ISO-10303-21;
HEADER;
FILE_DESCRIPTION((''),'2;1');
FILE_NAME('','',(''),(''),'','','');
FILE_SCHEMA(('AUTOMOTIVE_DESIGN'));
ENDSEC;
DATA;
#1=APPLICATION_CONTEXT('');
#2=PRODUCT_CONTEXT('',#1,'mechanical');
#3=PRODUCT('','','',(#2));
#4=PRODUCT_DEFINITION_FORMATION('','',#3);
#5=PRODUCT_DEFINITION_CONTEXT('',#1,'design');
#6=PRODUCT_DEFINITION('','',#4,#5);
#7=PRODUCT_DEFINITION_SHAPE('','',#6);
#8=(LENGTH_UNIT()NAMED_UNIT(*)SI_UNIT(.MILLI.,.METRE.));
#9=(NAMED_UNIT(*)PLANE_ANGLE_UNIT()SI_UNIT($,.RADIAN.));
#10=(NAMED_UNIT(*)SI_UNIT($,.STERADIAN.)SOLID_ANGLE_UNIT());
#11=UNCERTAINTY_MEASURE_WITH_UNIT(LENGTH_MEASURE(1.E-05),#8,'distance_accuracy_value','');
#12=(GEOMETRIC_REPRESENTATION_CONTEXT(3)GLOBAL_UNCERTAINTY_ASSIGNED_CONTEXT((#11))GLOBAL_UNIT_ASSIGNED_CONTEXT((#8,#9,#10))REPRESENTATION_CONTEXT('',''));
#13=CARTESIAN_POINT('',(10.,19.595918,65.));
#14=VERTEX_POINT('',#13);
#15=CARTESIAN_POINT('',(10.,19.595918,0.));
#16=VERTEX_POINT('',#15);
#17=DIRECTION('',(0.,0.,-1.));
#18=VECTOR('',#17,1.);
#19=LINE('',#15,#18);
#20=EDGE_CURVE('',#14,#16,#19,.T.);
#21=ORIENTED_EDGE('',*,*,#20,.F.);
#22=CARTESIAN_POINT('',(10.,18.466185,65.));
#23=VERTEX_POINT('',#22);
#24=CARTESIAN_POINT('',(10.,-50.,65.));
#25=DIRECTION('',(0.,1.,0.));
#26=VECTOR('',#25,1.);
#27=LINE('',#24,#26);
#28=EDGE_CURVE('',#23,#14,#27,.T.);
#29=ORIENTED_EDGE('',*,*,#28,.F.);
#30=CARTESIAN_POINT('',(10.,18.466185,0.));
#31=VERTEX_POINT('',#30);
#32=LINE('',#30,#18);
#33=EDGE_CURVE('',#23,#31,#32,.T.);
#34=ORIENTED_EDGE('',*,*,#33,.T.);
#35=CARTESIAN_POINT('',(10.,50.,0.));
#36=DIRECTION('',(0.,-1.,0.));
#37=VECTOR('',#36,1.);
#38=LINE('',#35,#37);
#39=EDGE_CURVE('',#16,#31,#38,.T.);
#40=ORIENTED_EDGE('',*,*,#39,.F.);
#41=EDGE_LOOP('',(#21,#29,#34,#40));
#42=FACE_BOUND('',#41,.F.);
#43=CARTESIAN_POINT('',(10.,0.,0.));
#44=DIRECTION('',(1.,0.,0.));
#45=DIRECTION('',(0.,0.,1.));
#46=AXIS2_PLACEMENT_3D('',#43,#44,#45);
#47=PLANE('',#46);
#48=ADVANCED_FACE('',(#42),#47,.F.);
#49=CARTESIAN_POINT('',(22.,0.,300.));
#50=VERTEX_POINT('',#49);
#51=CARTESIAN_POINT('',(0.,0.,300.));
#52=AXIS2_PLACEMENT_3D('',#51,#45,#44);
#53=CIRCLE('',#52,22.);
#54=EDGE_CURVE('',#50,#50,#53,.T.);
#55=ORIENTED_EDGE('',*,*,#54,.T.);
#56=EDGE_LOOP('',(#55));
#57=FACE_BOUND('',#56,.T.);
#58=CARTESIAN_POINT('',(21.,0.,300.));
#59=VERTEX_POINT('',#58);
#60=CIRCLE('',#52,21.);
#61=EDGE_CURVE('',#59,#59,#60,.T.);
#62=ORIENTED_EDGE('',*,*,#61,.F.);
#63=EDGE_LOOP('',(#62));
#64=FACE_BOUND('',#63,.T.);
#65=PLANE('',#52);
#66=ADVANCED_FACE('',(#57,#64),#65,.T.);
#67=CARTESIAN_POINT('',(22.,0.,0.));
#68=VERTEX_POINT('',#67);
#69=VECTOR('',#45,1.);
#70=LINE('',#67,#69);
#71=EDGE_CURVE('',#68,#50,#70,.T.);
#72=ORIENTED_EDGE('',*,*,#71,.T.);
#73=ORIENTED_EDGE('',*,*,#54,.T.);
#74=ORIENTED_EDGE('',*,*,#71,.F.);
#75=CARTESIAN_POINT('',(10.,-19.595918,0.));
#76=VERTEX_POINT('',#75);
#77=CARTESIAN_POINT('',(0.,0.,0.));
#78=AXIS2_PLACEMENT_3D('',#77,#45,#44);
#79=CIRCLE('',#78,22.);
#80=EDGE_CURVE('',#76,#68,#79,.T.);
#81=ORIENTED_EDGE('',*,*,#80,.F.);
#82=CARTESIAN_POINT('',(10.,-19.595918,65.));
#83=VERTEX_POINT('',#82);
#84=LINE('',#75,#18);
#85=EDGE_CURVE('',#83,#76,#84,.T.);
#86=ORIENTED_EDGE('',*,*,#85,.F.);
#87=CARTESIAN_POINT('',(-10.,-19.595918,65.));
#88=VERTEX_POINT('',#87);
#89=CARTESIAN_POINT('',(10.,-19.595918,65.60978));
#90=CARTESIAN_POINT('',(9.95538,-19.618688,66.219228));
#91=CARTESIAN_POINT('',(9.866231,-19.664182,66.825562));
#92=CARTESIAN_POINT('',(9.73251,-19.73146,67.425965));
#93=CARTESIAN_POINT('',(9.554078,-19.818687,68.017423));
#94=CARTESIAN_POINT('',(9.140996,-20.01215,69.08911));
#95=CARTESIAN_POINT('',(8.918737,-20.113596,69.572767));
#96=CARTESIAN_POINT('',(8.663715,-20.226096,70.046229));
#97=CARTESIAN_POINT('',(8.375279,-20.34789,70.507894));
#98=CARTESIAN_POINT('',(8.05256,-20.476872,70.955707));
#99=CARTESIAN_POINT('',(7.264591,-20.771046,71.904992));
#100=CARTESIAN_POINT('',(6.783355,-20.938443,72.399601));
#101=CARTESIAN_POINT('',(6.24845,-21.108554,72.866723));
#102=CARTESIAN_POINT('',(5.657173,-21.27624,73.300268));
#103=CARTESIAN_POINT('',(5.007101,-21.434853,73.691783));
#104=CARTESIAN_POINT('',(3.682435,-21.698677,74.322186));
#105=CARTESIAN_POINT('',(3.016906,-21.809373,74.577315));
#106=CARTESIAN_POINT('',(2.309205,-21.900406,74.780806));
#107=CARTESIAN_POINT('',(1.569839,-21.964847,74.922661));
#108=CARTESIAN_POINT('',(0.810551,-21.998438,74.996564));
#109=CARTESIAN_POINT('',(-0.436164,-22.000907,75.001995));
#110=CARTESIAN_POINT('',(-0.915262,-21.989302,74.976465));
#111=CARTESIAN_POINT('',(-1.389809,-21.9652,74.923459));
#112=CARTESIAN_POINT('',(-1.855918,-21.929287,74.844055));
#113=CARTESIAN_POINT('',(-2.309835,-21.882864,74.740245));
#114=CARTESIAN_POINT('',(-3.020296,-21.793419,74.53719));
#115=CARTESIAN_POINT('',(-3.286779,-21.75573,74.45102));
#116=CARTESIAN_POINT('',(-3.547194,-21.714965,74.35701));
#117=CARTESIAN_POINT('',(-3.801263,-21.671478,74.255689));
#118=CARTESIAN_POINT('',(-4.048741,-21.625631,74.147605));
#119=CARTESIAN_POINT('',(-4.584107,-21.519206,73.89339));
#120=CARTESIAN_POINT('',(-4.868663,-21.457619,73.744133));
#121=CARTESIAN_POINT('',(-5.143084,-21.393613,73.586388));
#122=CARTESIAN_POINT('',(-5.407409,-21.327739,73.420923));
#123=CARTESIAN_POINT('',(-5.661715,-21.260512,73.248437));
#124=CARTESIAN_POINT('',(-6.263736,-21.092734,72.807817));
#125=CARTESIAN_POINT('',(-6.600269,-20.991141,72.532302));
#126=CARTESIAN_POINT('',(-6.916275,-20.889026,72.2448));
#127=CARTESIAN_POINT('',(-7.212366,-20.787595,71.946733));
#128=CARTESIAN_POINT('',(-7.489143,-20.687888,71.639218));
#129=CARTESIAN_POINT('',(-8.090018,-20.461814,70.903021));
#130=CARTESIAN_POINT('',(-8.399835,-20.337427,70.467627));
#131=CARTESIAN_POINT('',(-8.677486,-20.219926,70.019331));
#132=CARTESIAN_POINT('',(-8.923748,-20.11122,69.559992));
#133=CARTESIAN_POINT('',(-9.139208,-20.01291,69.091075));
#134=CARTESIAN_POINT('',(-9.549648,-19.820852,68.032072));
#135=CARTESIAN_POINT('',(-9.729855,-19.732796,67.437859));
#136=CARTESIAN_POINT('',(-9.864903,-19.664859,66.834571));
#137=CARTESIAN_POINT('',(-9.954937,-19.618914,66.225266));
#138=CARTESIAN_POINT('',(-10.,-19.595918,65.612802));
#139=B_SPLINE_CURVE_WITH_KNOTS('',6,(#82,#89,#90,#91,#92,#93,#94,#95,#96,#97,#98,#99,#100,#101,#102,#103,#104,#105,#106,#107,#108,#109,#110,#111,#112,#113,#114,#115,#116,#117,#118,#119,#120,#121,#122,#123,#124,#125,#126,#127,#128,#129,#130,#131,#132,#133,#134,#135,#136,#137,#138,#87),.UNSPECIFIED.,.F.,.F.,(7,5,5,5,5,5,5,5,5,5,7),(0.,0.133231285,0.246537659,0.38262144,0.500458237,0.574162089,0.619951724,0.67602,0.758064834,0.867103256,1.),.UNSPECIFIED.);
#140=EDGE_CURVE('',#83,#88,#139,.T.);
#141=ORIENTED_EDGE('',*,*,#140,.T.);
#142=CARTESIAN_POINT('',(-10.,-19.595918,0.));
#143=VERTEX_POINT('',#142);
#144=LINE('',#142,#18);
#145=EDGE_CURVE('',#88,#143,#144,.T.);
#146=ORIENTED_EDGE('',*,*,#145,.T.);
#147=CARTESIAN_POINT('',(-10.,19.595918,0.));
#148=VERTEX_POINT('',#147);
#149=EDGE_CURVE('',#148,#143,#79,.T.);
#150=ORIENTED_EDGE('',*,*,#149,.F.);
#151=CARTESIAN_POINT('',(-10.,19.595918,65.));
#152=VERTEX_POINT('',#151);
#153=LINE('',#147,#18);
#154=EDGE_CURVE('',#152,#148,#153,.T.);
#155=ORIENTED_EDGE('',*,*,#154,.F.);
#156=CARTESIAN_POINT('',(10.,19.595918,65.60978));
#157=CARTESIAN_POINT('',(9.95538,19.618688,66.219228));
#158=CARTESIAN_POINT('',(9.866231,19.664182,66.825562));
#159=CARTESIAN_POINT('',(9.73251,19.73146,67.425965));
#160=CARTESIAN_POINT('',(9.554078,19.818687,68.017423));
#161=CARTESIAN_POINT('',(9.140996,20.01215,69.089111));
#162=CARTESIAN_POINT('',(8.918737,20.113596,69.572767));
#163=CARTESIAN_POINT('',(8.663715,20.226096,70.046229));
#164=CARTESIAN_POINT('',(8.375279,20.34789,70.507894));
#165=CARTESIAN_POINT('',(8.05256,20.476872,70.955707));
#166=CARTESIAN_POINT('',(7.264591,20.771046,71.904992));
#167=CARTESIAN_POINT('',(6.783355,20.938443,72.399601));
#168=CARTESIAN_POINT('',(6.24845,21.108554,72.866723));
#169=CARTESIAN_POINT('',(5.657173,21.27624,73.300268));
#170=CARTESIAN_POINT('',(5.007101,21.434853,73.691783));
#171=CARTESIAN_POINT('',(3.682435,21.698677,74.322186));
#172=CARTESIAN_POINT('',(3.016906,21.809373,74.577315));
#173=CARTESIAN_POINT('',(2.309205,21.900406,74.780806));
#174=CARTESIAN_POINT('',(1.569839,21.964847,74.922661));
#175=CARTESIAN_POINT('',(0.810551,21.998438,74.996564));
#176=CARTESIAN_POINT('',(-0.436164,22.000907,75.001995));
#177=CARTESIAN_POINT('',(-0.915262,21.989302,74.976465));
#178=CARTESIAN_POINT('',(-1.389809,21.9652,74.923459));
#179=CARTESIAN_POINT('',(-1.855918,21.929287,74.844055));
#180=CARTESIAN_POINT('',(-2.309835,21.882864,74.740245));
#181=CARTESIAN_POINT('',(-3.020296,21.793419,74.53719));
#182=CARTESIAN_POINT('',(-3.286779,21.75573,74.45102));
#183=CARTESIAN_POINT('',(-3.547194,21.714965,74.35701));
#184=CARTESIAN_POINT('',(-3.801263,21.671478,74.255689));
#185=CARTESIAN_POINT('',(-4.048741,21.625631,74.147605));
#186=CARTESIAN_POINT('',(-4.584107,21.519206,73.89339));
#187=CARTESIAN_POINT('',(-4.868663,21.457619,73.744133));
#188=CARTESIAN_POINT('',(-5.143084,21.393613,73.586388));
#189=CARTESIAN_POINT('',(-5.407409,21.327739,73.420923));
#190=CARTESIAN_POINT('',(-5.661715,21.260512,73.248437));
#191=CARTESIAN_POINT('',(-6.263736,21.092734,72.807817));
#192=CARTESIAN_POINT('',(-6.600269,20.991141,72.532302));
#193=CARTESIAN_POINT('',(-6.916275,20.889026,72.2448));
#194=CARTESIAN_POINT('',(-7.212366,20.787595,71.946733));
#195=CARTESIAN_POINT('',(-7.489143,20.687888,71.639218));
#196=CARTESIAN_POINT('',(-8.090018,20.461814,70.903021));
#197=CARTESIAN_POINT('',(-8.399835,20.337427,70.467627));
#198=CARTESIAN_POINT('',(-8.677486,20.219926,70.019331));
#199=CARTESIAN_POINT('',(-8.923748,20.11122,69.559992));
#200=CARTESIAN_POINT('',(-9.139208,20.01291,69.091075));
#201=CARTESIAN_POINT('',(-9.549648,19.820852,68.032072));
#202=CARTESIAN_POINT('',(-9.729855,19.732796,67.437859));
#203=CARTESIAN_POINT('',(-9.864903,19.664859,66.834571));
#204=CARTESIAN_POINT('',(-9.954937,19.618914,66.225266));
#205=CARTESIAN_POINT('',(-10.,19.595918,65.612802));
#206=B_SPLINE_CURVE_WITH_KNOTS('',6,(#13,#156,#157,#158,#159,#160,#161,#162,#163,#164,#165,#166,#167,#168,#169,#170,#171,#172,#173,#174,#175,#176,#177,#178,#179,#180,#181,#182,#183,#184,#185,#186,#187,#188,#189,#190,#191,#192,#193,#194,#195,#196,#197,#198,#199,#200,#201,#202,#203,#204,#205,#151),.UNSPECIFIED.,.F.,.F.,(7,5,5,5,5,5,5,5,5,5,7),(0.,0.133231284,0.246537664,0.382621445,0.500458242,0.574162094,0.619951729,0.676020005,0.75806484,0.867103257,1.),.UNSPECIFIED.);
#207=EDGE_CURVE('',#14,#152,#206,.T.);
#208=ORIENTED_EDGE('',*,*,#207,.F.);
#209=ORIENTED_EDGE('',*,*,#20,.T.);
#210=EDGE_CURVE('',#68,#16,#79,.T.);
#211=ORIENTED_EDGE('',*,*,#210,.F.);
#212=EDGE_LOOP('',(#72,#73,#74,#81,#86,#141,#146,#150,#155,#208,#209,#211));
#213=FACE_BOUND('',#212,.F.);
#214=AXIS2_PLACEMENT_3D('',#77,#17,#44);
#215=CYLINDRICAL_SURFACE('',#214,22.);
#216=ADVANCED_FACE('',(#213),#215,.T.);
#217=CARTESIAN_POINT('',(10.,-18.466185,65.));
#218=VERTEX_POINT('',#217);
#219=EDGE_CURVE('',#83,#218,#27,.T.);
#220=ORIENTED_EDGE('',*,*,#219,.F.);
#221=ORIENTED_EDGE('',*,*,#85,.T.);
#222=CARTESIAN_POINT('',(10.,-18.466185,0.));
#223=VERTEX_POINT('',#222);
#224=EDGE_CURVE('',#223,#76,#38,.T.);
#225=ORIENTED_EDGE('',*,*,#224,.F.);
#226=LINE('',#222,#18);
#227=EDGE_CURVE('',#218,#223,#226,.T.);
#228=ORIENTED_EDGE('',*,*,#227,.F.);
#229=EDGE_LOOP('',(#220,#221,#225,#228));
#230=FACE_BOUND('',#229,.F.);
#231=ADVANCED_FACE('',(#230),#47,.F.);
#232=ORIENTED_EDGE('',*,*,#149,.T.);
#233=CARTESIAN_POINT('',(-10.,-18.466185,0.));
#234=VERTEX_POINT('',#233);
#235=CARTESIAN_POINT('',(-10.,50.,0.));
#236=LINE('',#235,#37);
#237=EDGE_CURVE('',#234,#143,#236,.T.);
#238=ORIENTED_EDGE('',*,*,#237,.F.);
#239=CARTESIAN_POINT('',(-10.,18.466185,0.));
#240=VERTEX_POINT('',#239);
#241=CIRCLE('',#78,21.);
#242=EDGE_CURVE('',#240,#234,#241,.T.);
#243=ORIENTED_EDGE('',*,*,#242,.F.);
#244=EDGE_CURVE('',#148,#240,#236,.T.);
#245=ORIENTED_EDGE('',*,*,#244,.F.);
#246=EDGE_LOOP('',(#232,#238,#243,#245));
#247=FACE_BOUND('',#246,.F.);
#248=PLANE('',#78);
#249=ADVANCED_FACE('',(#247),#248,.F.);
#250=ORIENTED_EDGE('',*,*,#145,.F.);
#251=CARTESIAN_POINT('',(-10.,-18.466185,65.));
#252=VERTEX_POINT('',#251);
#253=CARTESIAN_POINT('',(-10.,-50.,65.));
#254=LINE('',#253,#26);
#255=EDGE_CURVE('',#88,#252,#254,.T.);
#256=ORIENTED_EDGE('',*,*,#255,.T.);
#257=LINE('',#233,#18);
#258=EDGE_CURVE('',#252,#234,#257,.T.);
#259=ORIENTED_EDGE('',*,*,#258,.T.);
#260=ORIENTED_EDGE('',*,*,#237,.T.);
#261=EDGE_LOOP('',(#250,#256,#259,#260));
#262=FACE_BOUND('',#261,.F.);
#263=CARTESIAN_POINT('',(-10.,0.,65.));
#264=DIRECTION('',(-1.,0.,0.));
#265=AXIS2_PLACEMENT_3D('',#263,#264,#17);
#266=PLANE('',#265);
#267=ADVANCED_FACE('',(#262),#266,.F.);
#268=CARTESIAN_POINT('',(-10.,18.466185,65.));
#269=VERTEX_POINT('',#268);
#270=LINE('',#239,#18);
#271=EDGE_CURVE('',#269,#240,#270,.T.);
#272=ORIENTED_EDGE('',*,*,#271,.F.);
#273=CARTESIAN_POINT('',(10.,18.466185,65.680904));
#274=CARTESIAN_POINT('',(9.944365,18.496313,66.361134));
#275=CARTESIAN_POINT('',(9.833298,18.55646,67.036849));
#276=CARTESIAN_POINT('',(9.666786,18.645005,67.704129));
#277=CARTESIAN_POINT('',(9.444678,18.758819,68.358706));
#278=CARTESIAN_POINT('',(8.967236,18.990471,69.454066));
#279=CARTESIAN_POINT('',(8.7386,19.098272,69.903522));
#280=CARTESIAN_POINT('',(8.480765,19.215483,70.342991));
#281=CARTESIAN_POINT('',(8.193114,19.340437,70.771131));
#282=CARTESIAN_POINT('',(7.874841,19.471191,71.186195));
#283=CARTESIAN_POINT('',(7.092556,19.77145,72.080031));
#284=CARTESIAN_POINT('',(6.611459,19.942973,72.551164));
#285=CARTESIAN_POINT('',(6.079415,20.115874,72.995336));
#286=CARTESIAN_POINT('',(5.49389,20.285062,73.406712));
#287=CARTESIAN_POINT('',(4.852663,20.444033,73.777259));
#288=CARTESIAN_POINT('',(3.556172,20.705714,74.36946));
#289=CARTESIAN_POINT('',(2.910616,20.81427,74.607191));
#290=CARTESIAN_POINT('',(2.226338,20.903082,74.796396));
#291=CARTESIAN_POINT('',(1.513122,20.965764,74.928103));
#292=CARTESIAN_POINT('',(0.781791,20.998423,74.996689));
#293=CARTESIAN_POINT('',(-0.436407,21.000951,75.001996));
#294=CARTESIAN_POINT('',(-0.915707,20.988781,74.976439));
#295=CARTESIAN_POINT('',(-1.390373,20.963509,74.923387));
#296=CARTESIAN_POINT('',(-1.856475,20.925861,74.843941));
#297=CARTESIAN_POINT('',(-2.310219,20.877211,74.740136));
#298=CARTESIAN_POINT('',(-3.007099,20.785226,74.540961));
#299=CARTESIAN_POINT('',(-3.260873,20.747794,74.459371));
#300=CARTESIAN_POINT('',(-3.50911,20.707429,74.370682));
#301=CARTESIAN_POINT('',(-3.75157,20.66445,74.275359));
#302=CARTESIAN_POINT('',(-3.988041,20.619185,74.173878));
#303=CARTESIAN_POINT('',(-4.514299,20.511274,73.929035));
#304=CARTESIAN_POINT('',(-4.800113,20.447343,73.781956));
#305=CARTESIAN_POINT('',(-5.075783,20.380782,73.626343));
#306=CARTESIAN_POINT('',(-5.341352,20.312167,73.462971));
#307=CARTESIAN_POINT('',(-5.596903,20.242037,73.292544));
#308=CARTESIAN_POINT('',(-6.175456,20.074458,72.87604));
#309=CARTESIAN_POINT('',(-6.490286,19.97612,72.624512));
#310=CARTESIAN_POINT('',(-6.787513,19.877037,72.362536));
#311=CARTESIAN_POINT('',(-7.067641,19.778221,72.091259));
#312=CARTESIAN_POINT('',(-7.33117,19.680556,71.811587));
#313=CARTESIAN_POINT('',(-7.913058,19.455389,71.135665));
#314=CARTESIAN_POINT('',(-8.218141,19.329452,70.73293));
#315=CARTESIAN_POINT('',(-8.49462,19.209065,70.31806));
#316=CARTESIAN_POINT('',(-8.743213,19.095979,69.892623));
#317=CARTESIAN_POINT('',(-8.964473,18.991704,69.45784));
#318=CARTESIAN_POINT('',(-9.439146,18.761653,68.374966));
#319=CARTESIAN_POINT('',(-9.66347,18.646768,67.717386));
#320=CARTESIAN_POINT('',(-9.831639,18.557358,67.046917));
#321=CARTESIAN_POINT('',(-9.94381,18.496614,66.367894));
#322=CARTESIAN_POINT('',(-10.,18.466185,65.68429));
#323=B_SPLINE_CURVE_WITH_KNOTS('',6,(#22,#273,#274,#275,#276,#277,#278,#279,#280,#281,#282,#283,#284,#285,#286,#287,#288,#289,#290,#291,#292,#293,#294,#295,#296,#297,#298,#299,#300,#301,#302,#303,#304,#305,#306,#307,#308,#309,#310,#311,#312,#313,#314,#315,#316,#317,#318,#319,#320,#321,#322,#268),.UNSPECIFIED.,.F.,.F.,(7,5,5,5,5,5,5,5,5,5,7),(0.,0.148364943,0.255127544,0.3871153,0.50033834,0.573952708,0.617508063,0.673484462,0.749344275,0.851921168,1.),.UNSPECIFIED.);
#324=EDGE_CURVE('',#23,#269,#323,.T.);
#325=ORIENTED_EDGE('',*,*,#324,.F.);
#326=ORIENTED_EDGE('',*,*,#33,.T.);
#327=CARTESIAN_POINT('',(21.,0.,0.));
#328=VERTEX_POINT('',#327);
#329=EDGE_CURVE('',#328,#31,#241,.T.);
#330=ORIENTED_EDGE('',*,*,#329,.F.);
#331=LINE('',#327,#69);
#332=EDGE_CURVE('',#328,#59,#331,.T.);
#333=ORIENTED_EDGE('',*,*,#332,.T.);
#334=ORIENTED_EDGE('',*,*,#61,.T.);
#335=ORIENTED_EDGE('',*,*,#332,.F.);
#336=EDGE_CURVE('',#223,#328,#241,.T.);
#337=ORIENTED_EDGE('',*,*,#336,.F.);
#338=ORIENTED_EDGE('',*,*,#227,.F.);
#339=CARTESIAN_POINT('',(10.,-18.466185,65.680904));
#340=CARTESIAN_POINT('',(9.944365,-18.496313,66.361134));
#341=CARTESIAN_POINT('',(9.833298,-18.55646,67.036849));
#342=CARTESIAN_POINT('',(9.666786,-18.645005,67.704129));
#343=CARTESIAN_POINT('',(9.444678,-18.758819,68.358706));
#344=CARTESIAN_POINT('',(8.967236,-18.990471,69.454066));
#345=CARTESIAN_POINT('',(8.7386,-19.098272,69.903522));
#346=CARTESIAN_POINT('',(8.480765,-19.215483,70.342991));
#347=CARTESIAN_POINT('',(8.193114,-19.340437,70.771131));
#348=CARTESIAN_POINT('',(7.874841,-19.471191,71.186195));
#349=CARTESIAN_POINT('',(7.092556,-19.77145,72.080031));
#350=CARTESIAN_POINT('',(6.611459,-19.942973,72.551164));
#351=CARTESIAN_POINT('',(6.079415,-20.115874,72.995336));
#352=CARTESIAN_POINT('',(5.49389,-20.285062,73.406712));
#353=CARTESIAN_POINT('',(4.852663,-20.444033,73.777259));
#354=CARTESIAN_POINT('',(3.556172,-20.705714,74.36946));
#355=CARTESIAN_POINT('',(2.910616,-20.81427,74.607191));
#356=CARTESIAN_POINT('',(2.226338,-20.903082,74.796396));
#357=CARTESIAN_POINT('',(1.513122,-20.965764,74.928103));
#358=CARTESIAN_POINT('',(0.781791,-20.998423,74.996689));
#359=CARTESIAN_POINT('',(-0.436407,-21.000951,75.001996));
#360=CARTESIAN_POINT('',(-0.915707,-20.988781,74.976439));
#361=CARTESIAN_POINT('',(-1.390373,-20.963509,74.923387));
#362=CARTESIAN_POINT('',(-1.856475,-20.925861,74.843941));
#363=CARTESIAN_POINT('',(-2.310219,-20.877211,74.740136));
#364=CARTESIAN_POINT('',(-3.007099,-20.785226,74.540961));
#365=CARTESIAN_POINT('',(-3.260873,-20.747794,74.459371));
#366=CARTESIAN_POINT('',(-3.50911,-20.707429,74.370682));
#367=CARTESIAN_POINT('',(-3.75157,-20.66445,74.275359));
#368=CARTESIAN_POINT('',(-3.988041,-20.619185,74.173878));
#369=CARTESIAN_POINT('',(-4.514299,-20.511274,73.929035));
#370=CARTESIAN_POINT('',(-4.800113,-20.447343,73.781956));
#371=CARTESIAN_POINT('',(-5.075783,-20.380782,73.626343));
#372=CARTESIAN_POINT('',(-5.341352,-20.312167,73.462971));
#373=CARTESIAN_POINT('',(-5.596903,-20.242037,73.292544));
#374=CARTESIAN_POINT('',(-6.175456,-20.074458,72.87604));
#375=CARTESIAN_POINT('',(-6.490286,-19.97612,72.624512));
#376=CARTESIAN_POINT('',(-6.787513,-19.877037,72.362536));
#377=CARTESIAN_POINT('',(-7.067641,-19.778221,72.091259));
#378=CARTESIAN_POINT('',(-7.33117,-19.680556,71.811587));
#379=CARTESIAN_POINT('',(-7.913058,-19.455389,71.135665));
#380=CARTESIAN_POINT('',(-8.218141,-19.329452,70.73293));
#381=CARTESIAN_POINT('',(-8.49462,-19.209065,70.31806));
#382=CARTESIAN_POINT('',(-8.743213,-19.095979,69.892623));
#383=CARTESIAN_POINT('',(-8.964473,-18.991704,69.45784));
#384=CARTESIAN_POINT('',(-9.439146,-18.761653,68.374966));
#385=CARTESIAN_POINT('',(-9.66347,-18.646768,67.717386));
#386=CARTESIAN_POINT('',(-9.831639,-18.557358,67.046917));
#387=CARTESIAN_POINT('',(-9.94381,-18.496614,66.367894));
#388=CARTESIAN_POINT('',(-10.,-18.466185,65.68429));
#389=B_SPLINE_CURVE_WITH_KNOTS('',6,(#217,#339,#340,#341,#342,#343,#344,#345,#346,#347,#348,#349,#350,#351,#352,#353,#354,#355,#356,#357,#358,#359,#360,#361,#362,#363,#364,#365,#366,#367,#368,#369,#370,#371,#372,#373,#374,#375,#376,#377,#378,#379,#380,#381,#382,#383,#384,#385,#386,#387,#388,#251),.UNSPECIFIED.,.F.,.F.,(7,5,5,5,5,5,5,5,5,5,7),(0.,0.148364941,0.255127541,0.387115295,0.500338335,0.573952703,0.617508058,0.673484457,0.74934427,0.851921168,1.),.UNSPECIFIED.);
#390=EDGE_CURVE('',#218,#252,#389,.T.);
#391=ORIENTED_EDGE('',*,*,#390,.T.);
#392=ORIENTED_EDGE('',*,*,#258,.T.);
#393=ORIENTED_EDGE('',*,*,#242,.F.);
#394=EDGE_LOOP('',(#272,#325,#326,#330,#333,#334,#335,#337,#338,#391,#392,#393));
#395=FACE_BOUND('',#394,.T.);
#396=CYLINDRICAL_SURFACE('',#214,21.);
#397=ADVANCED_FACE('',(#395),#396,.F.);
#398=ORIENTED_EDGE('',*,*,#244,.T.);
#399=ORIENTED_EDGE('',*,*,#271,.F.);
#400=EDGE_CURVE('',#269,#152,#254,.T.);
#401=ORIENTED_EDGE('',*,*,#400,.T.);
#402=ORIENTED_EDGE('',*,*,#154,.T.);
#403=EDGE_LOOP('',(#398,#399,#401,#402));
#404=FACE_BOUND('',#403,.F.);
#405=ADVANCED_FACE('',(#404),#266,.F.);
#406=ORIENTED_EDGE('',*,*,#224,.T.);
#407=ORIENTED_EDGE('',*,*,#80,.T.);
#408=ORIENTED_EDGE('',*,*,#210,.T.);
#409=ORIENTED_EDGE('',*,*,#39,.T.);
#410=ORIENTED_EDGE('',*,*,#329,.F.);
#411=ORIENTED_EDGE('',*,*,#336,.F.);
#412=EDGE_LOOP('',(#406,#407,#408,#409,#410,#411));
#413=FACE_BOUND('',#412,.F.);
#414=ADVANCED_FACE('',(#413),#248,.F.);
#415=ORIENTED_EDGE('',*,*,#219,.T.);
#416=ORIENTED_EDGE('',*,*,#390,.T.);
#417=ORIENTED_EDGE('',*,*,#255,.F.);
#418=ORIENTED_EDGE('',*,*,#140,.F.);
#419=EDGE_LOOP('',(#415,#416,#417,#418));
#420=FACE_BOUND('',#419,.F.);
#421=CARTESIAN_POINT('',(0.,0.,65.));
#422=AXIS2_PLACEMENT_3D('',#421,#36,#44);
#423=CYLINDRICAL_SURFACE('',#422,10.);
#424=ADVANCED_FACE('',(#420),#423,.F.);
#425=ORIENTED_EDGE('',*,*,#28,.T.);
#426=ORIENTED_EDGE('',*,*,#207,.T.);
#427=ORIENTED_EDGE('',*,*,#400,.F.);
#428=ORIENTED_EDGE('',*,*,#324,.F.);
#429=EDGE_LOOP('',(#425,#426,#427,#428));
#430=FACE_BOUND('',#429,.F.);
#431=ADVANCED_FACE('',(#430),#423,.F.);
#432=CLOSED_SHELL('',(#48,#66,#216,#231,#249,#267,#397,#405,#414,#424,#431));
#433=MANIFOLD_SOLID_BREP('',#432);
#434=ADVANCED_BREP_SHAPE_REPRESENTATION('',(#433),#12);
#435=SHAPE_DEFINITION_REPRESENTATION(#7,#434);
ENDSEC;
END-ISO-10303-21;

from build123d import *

# Parameters (mm, degrees)
F0_R     = 22
F0_R_2   = 21
F1_DEPTH = 300
F3_DEPTH = 50


with BuildPart() as f1:
    # F0 (on Top) → F1 (new body)
    with BuildSketch(Plane.XY):
        Circle(F0_R)
        Circle(F0_R_2, mode=Mode.SUBTRACT)
    extrude(amount=F1_DEPTH)

    # F2 (on Front) → F3 (cut, symmetric)
    with BuildSketch(Plane.XZ):
        with BuildLine():
            Line((-10, 65), (-10, 0))
            Line((-10, 0), (10, 0))
            Line((10, 0), (10, 65))
            ThreePointArc((10, 65), (0, 55), (-10, 65))
        make_face()
        with BuildLine():
            ThreePointArc((10, 65), (0, 75), (-10, 65))
            Line((-10, 65), (10, 65))
        make_face()
        with BuildLine():
            Line((10, 65), (-10, 65))
            ThreePointArc((-10, 65), (0, 55), (10, 65))
        make_face()
    extrude(amount=F3_DEPTH, both=True, mode=Mode.SUBTRACT)


solid = f1.part
